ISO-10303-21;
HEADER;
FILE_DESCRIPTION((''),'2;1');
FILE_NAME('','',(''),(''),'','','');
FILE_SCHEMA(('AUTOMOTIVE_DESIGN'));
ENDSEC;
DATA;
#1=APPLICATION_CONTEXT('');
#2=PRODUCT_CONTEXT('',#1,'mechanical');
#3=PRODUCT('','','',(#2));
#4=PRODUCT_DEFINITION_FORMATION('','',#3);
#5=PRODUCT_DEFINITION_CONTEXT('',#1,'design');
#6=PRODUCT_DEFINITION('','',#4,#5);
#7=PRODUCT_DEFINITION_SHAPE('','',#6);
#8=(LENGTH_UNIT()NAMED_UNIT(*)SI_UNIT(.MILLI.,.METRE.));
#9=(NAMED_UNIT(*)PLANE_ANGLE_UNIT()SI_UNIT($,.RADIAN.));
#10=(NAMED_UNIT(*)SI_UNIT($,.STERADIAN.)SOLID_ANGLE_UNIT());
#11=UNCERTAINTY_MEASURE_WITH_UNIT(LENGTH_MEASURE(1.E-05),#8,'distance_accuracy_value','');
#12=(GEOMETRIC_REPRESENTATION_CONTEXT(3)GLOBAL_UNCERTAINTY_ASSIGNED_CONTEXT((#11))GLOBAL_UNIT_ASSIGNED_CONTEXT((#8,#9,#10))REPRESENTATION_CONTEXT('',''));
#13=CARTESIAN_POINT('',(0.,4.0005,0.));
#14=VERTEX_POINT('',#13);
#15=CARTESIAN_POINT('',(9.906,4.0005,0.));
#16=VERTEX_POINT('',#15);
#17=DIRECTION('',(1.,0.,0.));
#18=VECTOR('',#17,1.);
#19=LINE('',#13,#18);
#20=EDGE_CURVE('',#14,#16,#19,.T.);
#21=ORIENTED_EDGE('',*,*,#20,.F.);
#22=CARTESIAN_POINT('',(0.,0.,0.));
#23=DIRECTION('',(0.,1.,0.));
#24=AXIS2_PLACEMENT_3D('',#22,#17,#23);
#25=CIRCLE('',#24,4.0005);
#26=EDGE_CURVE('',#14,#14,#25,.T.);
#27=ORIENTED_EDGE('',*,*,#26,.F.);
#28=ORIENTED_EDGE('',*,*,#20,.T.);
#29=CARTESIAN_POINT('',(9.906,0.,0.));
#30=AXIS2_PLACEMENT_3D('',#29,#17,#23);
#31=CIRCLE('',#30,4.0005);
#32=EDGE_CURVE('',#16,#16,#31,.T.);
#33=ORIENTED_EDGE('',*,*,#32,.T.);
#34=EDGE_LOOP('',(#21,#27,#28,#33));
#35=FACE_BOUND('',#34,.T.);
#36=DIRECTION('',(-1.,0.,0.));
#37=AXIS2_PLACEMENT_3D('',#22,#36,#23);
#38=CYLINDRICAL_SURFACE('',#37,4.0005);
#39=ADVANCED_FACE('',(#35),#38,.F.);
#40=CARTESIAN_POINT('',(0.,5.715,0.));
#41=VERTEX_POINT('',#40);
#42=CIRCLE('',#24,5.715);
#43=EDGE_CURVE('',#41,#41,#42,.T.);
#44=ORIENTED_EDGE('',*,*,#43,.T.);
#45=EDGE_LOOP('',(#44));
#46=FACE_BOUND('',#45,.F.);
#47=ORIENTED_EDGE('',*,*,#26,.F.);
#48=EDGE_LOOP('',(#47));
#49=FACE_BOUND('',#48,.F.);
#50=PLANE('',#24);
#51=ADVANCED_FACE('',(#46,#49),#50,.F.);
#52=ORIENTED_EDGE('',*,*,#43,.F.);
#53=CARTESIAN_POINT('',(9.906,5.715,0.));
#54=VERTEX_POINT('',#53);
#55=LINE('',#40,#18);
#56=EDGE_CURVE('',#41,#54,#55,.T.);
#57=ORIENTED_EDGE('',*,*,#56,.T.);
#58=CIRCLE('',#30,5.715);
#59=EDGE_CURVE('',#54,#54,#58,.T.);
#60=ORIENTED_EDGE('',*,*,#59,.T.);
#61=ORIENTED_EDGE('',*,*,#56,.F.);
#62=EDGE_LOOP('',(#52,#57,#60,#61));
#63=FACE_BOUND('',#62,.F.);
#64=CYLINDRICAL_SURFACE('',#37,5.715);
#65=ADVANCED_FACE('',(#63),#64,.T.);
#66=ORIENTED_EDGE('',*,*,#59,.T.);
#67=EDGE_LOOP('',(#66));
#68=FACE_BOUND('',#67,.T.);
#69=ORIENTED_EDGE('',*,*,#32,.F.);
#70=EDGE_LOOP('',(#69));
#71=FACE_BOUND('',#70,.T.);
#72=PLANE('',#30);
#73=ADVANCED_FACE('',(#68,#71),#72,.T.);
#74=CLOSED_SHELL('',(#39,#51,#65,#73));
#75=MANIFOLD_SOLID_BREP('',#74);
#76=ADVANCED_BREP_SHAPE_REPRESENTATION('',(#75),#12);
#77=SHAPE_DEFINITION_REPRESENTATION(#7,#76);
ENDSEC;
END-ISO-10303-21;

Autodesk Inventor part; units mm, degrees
ref_plane "YZ Plane" through (0, 0, 0) normal (1, 0, 0) x (0, 1, 0)
ref_plane "XZ Plane" through (0, 0, 0) normal (0, 1, 0) x (-1, 0, 0)
ref_plane "XY Plane" through (0, 0, 0) normal (0, 0, 1) x (1, 0, 0)
sketch "Sketch1" plane through (0, 0, 0) normal (1, 0, 0) x (0, 1, 0)
  circle A0 centre (0, 0) radius 5.715
  circle A1 centre (0, 0) radius 4.0005
  dimension "d0" = 11.43
  dimension "d2" = 8.001
extrude "Extrusion1" add sketch "Sketch1" along normal blind 9.906
properties part number "Sleeve" material "Steel"
